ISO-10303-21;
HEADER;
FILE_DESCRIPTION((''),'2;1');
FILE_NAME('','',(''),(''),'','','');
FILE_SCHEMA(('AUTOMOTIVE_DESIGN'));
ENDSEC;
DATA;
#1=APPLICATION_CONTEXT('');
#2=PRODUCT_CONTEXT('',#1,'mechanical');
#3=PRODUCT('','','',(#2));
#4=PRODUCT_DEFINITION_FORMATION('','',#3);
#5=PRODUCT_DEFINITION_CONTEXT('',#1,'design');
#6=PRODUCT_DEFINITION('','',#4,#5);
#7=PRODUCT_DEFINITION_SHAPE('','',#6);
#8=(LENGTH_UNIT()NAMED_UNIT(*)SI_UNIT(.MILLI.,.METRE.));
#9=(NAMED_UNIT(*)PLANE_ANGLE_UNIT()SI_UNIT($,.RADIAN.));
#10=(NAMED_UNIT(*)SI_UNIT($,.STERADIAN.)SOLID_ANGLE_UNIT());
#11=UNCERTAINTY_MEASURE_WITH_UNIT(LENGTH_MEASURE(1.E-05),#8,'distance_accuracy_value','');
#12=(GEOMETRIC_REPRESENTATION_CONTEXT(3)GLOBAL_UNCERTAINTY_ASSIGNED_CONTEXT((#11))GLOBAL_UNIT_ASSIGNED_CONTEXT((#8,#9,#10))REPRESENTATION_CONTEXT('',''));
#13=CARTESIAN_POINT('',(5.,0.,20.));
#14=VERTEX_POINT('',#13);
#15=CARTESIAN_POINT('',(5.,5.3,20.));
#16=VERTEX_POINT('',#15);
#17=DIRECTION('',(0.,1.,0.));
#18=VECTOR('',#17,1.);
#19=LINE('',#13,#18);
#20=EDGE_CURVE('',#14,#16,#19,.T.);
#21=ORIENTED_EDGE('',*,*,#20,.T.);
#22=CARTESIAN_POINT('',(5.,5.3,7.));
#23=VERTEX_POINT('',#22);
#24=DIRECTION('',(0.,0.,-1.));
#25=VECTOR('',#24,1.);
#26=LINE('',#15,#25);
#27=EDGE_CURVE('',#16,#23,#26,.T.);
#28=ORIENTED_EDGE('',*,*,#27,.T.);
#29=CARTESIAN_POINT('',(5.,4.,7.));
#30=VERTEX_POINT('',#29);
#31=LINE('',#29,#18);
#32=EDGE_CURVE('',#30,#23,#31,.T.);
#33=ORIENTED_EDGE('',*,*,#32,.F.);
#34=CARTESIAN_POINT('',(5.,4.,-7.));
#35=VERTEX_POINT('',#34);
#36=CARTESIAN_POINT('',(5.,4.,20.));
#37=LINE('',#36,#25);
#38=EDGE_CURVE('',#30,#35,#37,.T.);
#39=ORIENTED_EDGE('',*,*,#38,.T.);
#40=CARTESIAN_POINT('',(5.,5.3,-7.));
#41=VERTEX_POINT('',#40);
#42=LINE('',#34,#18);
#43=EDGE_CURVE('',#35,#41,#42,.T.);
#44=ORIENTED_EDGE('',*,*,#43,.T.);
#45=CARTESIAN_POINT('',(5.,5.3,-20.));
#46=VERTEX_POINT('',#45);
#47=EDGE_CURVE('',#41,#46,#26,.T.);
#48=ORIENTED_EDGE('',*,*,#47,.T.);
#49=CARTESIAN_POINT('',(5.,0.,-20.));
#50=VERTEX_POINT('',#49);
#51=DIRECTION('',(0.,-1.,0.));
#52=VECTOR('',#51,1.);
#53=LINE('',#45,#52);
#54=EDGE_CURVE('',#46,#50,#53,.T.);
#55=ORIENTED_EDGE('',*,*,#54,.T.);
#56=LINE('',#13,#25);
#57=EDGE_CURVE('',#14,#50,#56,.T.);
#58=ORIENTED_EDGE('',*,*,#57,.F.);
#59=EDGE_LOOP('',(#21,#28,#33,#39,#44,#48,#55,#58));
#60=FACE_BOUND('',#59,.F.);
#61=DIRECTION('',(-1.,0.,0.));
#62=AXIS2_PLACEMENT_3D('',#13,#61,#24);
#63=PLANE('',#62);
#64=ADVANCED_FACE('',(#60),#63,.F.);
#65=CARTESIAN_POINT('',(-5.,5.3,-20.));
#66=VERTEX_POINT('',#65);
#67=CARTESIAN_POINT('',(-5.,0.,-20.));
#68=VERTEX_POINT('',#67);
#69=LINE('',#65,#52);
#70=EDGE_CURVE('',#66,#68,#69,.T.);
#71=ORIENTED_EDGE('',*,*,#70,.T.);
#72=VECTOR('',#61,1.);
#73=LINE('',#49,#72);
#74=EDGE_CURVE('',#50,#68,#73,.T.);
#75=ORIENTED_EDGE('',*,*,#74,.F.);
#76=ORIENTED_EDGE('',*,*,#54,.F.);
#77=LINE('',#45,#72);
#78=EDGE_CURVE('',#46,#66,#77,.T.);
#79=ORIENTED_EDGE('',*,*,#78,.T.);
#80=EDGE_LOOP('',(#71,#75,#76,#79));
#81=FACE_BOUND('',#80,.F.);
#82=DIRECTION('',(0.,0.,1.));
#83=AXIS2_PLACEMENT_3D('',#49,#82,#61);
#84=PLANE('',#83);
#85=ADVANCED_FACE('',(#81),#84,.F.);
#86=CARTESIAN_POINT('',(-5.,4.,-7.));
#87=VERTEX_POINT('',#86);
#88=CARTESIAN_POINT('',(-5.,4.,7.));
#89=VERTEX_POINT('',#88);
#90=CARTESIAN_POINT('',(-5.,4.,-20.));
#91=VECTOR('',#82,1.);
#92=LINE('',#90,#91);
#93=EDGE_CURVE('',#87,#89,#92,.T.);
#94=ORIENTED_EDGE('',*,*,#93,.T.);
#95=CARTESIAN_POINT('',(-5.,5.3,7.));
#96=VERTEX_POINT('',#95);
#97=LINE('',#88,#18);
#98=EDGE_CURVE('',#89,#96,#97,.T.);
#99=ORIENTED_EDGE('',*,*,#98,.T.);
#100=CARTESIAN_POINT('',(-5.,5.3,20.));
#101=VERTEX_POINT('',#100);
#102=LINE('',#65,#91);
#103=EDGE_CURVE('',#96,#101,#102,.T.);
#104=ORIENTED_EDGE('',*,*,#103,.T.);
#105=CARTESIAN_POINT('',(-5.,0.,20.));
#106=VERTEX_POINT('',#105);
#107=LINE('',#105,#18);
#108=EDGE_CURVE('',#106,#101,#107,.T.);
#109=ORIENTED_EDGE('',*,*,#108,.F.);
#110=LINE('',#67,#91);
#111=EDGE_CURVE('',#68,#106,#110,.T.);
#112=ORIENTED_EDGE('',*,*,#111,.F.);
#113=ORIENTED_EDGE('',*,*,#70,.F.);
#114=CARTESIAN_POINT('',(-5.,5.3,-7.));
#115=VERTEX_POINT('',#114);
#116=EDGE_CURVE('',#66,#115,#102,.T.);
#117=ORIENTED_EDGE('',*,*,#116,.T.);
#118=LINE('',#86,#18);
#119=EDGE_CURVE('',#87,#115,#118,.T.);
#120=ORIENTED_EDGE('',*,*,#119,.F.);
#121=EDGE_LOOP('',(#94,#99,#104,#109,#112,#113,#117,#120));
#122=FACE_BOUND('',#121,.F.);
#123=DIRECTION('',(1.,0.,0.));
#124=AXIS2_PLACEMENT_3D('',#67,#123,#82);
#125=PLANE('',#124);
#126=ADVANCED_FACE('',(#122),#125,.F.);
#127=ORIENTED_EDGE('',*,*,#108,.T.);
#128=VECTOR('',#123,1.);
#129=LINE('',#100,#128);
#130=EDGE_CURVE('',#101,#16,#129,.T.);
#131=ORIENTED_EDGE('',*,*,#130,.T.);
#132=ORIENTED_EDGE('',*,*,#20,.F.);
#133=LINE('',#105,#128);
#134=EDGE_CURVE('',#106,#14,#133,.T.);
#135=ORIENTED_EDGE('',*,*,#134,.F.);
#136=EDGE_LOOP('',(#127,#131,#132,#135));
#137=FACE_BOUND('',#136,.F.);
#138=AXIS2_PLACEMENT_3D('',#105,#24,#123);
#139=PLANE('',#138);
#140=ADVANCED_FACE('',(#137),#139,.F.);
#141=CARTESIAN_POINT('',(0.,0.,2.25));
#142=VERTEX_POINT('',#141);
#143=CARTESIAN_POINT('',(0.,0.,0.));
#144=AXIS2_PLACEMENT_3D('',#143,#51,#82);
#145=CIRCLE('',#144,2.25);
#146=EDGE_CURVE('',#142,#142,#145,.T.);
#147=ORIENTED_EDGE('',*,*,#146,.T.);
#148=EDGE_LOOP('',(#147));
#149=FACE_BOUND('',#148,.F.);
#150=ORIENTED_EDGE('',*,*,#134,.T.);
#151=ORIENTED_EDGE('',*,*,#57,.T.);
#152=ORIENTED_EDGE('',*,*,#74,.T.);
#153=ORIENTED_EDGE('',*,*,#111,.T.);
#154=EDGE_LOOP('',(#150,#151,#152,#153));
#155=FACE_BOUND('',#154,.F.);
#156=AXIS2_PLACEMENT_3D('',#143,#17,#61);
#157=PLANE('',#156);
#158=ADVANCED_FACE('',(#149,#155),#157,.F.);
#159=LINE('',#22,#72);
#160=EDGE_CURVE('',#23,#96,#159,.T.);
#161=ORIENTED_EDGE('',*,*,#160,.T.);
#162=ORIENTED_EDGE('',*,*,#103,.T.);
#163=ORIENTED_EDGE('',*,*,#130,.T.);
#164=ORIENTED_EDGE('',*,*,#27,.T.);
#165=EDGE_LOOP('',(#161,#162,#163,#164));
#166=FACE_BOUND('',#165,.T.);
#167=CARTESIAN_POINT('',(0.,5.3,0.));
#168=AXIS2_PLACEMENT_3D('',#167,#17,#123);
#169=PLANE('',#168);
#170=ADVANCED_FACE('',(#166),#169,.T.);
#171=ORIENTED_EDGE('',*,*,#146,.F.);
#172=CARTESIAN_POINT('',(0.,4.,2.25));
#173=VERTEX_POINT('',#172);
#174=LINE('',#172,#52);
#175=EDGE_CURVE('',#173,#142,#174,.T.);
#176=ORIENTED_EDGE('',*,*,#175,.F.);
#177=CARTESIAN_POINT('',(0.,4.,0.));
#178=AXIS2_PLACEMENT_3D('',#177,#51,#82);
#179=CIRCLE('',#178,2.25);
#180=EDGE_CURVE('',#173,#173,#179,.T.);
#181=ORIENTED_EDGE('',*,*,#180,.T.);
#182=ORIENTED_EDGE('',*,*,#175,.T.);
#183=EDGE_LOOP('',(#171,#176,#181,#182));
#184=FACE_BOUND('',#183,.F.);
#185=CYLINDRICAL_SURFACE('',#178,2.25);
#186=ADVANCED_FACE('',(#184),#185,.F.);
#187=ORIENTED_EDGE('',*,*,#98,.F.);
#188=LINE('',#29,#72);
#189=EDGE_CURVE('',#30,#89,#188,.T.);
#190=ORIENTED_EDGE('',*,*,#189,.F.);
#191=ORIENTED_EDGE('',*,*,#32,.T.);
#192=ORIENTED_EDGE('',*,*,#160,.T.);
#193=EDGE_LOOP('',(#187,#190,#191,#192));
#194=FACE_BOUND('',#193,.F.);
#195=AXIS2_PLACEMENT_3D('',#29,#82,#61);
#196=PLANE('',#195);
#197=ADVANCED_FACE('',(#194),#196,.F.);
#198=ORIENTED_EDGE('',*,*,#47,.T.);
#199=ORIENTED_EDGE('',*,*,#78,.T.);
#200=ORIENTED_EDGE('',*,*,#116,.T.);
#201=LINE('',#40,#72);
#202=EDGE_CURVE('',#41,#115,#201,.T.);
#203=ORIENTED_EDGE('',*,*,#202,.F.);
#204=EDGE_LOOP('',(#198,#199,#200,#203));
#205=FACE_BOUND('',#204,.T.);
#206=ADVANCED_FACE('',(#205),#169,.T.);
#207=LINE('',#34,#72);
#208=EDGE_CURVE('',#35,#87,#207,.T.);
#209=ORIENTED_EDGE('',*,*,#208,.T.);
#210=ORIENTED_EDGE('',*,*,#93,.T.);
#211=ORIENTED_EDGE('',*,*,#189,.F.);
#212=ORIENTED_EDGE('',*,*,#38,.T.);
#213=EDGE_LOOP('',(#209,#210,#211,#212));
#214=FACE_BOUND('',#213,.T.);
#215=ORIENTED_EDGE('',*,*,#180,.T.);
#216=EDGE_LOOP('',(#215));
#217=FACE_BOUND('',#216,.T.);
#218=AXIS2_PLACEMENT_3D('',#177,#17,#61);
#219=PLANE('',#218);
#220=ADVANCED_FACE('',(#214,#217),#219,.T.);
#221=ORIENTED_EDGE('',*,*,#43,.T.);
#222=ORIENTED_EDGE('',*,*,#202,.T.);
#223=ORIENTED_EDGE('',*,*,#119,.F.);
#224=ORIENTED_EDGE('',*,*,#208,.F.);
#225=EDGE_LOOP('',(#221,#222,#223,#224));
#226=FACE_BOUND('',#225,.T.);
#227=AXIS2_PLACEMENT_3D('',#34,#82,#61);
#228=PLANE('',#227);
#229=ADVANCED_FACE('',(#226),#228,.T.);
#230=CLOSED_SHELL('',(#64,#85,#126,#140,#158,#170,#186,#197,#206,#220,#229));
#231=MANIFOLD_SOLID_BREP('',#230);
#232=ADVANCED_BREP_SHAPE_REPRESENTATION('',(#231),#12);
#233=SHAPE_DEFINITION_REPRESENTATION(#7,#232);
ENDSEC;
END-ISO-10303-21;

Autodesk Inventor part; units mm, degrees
ref_plane "YZ Plane" through (0, 0, 0) normal (1, 0, 0) x (0, 1, 0)
ref_plane "XZ Plane" through (0, 0, 0) normal (0, 1, 0) x (-1, 0, 0)
ref_plane "XY Plane" through (0, 0, 0) normal (0, 0, 1) x (1, 0, 0)
sketch "Sketch1" plane through (0, 0, 0) normal (0, 1, 0) x (-1, 0, 0)
  line L0 (5, 20) -> (-5, 20)
  line L1 (-5, 20) -> (-5, -20)
  line L2 (-5, -20) -> (5, -20)
  line L3 (5, -20) -> (5, 20)
  point P0 (0, 0)
  point P1 (0, -20)
  point P2 (-5, 0)
  dimension "d0" = 10
  dimension "d1" = 40
extrude "Extrusion1" add sketch "Sketch1" along normal blind 4
sketch "Sketch2" plane through (0, 4, 0) normal (0, 1, 0) x (1, 0, 0)
  line L0 (-5, 20) -> (-5, -20) projected
  line L1 (5, -20) -> (5, 20) projected
  line L2 (-5, -20) -> (5, -20)
  line L3 (5, -20) -> (5, -7)
  line L4 (5, -7) -> (-5, -7)
  line L5 (-5, -7) -> (-5, -20)
  line L6 (5, 20) -> (-5, 20) projected
  line L7 (-5, 20) -> (5, 20)
  line L8 (5, 20) -> (5, 7)
  line L9 (5, 7) -> (-5, 7)
  line L10 (-5, 7) -> (-5, 20)
  point P0 (0, 0)
  dimension "d4" = 13
  dimension "d5" = 13
extrude "Extrusion2" add sketch "Sketch2" along normal blind 1.3 contours L6 L1 L9 L0 | L4 L1 L2 L0
sketch "Sketch3" plane through (0, 4, 0) normal (0, 1, 0) x (1, 0, 0)
  point P0 (0, 0)
  point P1 (0, 0)
hole "Hole1" at (0, 4, 0) direction (0, -1, 0) diameter 4.5 end through all
properties part number "Belt Clamp"
